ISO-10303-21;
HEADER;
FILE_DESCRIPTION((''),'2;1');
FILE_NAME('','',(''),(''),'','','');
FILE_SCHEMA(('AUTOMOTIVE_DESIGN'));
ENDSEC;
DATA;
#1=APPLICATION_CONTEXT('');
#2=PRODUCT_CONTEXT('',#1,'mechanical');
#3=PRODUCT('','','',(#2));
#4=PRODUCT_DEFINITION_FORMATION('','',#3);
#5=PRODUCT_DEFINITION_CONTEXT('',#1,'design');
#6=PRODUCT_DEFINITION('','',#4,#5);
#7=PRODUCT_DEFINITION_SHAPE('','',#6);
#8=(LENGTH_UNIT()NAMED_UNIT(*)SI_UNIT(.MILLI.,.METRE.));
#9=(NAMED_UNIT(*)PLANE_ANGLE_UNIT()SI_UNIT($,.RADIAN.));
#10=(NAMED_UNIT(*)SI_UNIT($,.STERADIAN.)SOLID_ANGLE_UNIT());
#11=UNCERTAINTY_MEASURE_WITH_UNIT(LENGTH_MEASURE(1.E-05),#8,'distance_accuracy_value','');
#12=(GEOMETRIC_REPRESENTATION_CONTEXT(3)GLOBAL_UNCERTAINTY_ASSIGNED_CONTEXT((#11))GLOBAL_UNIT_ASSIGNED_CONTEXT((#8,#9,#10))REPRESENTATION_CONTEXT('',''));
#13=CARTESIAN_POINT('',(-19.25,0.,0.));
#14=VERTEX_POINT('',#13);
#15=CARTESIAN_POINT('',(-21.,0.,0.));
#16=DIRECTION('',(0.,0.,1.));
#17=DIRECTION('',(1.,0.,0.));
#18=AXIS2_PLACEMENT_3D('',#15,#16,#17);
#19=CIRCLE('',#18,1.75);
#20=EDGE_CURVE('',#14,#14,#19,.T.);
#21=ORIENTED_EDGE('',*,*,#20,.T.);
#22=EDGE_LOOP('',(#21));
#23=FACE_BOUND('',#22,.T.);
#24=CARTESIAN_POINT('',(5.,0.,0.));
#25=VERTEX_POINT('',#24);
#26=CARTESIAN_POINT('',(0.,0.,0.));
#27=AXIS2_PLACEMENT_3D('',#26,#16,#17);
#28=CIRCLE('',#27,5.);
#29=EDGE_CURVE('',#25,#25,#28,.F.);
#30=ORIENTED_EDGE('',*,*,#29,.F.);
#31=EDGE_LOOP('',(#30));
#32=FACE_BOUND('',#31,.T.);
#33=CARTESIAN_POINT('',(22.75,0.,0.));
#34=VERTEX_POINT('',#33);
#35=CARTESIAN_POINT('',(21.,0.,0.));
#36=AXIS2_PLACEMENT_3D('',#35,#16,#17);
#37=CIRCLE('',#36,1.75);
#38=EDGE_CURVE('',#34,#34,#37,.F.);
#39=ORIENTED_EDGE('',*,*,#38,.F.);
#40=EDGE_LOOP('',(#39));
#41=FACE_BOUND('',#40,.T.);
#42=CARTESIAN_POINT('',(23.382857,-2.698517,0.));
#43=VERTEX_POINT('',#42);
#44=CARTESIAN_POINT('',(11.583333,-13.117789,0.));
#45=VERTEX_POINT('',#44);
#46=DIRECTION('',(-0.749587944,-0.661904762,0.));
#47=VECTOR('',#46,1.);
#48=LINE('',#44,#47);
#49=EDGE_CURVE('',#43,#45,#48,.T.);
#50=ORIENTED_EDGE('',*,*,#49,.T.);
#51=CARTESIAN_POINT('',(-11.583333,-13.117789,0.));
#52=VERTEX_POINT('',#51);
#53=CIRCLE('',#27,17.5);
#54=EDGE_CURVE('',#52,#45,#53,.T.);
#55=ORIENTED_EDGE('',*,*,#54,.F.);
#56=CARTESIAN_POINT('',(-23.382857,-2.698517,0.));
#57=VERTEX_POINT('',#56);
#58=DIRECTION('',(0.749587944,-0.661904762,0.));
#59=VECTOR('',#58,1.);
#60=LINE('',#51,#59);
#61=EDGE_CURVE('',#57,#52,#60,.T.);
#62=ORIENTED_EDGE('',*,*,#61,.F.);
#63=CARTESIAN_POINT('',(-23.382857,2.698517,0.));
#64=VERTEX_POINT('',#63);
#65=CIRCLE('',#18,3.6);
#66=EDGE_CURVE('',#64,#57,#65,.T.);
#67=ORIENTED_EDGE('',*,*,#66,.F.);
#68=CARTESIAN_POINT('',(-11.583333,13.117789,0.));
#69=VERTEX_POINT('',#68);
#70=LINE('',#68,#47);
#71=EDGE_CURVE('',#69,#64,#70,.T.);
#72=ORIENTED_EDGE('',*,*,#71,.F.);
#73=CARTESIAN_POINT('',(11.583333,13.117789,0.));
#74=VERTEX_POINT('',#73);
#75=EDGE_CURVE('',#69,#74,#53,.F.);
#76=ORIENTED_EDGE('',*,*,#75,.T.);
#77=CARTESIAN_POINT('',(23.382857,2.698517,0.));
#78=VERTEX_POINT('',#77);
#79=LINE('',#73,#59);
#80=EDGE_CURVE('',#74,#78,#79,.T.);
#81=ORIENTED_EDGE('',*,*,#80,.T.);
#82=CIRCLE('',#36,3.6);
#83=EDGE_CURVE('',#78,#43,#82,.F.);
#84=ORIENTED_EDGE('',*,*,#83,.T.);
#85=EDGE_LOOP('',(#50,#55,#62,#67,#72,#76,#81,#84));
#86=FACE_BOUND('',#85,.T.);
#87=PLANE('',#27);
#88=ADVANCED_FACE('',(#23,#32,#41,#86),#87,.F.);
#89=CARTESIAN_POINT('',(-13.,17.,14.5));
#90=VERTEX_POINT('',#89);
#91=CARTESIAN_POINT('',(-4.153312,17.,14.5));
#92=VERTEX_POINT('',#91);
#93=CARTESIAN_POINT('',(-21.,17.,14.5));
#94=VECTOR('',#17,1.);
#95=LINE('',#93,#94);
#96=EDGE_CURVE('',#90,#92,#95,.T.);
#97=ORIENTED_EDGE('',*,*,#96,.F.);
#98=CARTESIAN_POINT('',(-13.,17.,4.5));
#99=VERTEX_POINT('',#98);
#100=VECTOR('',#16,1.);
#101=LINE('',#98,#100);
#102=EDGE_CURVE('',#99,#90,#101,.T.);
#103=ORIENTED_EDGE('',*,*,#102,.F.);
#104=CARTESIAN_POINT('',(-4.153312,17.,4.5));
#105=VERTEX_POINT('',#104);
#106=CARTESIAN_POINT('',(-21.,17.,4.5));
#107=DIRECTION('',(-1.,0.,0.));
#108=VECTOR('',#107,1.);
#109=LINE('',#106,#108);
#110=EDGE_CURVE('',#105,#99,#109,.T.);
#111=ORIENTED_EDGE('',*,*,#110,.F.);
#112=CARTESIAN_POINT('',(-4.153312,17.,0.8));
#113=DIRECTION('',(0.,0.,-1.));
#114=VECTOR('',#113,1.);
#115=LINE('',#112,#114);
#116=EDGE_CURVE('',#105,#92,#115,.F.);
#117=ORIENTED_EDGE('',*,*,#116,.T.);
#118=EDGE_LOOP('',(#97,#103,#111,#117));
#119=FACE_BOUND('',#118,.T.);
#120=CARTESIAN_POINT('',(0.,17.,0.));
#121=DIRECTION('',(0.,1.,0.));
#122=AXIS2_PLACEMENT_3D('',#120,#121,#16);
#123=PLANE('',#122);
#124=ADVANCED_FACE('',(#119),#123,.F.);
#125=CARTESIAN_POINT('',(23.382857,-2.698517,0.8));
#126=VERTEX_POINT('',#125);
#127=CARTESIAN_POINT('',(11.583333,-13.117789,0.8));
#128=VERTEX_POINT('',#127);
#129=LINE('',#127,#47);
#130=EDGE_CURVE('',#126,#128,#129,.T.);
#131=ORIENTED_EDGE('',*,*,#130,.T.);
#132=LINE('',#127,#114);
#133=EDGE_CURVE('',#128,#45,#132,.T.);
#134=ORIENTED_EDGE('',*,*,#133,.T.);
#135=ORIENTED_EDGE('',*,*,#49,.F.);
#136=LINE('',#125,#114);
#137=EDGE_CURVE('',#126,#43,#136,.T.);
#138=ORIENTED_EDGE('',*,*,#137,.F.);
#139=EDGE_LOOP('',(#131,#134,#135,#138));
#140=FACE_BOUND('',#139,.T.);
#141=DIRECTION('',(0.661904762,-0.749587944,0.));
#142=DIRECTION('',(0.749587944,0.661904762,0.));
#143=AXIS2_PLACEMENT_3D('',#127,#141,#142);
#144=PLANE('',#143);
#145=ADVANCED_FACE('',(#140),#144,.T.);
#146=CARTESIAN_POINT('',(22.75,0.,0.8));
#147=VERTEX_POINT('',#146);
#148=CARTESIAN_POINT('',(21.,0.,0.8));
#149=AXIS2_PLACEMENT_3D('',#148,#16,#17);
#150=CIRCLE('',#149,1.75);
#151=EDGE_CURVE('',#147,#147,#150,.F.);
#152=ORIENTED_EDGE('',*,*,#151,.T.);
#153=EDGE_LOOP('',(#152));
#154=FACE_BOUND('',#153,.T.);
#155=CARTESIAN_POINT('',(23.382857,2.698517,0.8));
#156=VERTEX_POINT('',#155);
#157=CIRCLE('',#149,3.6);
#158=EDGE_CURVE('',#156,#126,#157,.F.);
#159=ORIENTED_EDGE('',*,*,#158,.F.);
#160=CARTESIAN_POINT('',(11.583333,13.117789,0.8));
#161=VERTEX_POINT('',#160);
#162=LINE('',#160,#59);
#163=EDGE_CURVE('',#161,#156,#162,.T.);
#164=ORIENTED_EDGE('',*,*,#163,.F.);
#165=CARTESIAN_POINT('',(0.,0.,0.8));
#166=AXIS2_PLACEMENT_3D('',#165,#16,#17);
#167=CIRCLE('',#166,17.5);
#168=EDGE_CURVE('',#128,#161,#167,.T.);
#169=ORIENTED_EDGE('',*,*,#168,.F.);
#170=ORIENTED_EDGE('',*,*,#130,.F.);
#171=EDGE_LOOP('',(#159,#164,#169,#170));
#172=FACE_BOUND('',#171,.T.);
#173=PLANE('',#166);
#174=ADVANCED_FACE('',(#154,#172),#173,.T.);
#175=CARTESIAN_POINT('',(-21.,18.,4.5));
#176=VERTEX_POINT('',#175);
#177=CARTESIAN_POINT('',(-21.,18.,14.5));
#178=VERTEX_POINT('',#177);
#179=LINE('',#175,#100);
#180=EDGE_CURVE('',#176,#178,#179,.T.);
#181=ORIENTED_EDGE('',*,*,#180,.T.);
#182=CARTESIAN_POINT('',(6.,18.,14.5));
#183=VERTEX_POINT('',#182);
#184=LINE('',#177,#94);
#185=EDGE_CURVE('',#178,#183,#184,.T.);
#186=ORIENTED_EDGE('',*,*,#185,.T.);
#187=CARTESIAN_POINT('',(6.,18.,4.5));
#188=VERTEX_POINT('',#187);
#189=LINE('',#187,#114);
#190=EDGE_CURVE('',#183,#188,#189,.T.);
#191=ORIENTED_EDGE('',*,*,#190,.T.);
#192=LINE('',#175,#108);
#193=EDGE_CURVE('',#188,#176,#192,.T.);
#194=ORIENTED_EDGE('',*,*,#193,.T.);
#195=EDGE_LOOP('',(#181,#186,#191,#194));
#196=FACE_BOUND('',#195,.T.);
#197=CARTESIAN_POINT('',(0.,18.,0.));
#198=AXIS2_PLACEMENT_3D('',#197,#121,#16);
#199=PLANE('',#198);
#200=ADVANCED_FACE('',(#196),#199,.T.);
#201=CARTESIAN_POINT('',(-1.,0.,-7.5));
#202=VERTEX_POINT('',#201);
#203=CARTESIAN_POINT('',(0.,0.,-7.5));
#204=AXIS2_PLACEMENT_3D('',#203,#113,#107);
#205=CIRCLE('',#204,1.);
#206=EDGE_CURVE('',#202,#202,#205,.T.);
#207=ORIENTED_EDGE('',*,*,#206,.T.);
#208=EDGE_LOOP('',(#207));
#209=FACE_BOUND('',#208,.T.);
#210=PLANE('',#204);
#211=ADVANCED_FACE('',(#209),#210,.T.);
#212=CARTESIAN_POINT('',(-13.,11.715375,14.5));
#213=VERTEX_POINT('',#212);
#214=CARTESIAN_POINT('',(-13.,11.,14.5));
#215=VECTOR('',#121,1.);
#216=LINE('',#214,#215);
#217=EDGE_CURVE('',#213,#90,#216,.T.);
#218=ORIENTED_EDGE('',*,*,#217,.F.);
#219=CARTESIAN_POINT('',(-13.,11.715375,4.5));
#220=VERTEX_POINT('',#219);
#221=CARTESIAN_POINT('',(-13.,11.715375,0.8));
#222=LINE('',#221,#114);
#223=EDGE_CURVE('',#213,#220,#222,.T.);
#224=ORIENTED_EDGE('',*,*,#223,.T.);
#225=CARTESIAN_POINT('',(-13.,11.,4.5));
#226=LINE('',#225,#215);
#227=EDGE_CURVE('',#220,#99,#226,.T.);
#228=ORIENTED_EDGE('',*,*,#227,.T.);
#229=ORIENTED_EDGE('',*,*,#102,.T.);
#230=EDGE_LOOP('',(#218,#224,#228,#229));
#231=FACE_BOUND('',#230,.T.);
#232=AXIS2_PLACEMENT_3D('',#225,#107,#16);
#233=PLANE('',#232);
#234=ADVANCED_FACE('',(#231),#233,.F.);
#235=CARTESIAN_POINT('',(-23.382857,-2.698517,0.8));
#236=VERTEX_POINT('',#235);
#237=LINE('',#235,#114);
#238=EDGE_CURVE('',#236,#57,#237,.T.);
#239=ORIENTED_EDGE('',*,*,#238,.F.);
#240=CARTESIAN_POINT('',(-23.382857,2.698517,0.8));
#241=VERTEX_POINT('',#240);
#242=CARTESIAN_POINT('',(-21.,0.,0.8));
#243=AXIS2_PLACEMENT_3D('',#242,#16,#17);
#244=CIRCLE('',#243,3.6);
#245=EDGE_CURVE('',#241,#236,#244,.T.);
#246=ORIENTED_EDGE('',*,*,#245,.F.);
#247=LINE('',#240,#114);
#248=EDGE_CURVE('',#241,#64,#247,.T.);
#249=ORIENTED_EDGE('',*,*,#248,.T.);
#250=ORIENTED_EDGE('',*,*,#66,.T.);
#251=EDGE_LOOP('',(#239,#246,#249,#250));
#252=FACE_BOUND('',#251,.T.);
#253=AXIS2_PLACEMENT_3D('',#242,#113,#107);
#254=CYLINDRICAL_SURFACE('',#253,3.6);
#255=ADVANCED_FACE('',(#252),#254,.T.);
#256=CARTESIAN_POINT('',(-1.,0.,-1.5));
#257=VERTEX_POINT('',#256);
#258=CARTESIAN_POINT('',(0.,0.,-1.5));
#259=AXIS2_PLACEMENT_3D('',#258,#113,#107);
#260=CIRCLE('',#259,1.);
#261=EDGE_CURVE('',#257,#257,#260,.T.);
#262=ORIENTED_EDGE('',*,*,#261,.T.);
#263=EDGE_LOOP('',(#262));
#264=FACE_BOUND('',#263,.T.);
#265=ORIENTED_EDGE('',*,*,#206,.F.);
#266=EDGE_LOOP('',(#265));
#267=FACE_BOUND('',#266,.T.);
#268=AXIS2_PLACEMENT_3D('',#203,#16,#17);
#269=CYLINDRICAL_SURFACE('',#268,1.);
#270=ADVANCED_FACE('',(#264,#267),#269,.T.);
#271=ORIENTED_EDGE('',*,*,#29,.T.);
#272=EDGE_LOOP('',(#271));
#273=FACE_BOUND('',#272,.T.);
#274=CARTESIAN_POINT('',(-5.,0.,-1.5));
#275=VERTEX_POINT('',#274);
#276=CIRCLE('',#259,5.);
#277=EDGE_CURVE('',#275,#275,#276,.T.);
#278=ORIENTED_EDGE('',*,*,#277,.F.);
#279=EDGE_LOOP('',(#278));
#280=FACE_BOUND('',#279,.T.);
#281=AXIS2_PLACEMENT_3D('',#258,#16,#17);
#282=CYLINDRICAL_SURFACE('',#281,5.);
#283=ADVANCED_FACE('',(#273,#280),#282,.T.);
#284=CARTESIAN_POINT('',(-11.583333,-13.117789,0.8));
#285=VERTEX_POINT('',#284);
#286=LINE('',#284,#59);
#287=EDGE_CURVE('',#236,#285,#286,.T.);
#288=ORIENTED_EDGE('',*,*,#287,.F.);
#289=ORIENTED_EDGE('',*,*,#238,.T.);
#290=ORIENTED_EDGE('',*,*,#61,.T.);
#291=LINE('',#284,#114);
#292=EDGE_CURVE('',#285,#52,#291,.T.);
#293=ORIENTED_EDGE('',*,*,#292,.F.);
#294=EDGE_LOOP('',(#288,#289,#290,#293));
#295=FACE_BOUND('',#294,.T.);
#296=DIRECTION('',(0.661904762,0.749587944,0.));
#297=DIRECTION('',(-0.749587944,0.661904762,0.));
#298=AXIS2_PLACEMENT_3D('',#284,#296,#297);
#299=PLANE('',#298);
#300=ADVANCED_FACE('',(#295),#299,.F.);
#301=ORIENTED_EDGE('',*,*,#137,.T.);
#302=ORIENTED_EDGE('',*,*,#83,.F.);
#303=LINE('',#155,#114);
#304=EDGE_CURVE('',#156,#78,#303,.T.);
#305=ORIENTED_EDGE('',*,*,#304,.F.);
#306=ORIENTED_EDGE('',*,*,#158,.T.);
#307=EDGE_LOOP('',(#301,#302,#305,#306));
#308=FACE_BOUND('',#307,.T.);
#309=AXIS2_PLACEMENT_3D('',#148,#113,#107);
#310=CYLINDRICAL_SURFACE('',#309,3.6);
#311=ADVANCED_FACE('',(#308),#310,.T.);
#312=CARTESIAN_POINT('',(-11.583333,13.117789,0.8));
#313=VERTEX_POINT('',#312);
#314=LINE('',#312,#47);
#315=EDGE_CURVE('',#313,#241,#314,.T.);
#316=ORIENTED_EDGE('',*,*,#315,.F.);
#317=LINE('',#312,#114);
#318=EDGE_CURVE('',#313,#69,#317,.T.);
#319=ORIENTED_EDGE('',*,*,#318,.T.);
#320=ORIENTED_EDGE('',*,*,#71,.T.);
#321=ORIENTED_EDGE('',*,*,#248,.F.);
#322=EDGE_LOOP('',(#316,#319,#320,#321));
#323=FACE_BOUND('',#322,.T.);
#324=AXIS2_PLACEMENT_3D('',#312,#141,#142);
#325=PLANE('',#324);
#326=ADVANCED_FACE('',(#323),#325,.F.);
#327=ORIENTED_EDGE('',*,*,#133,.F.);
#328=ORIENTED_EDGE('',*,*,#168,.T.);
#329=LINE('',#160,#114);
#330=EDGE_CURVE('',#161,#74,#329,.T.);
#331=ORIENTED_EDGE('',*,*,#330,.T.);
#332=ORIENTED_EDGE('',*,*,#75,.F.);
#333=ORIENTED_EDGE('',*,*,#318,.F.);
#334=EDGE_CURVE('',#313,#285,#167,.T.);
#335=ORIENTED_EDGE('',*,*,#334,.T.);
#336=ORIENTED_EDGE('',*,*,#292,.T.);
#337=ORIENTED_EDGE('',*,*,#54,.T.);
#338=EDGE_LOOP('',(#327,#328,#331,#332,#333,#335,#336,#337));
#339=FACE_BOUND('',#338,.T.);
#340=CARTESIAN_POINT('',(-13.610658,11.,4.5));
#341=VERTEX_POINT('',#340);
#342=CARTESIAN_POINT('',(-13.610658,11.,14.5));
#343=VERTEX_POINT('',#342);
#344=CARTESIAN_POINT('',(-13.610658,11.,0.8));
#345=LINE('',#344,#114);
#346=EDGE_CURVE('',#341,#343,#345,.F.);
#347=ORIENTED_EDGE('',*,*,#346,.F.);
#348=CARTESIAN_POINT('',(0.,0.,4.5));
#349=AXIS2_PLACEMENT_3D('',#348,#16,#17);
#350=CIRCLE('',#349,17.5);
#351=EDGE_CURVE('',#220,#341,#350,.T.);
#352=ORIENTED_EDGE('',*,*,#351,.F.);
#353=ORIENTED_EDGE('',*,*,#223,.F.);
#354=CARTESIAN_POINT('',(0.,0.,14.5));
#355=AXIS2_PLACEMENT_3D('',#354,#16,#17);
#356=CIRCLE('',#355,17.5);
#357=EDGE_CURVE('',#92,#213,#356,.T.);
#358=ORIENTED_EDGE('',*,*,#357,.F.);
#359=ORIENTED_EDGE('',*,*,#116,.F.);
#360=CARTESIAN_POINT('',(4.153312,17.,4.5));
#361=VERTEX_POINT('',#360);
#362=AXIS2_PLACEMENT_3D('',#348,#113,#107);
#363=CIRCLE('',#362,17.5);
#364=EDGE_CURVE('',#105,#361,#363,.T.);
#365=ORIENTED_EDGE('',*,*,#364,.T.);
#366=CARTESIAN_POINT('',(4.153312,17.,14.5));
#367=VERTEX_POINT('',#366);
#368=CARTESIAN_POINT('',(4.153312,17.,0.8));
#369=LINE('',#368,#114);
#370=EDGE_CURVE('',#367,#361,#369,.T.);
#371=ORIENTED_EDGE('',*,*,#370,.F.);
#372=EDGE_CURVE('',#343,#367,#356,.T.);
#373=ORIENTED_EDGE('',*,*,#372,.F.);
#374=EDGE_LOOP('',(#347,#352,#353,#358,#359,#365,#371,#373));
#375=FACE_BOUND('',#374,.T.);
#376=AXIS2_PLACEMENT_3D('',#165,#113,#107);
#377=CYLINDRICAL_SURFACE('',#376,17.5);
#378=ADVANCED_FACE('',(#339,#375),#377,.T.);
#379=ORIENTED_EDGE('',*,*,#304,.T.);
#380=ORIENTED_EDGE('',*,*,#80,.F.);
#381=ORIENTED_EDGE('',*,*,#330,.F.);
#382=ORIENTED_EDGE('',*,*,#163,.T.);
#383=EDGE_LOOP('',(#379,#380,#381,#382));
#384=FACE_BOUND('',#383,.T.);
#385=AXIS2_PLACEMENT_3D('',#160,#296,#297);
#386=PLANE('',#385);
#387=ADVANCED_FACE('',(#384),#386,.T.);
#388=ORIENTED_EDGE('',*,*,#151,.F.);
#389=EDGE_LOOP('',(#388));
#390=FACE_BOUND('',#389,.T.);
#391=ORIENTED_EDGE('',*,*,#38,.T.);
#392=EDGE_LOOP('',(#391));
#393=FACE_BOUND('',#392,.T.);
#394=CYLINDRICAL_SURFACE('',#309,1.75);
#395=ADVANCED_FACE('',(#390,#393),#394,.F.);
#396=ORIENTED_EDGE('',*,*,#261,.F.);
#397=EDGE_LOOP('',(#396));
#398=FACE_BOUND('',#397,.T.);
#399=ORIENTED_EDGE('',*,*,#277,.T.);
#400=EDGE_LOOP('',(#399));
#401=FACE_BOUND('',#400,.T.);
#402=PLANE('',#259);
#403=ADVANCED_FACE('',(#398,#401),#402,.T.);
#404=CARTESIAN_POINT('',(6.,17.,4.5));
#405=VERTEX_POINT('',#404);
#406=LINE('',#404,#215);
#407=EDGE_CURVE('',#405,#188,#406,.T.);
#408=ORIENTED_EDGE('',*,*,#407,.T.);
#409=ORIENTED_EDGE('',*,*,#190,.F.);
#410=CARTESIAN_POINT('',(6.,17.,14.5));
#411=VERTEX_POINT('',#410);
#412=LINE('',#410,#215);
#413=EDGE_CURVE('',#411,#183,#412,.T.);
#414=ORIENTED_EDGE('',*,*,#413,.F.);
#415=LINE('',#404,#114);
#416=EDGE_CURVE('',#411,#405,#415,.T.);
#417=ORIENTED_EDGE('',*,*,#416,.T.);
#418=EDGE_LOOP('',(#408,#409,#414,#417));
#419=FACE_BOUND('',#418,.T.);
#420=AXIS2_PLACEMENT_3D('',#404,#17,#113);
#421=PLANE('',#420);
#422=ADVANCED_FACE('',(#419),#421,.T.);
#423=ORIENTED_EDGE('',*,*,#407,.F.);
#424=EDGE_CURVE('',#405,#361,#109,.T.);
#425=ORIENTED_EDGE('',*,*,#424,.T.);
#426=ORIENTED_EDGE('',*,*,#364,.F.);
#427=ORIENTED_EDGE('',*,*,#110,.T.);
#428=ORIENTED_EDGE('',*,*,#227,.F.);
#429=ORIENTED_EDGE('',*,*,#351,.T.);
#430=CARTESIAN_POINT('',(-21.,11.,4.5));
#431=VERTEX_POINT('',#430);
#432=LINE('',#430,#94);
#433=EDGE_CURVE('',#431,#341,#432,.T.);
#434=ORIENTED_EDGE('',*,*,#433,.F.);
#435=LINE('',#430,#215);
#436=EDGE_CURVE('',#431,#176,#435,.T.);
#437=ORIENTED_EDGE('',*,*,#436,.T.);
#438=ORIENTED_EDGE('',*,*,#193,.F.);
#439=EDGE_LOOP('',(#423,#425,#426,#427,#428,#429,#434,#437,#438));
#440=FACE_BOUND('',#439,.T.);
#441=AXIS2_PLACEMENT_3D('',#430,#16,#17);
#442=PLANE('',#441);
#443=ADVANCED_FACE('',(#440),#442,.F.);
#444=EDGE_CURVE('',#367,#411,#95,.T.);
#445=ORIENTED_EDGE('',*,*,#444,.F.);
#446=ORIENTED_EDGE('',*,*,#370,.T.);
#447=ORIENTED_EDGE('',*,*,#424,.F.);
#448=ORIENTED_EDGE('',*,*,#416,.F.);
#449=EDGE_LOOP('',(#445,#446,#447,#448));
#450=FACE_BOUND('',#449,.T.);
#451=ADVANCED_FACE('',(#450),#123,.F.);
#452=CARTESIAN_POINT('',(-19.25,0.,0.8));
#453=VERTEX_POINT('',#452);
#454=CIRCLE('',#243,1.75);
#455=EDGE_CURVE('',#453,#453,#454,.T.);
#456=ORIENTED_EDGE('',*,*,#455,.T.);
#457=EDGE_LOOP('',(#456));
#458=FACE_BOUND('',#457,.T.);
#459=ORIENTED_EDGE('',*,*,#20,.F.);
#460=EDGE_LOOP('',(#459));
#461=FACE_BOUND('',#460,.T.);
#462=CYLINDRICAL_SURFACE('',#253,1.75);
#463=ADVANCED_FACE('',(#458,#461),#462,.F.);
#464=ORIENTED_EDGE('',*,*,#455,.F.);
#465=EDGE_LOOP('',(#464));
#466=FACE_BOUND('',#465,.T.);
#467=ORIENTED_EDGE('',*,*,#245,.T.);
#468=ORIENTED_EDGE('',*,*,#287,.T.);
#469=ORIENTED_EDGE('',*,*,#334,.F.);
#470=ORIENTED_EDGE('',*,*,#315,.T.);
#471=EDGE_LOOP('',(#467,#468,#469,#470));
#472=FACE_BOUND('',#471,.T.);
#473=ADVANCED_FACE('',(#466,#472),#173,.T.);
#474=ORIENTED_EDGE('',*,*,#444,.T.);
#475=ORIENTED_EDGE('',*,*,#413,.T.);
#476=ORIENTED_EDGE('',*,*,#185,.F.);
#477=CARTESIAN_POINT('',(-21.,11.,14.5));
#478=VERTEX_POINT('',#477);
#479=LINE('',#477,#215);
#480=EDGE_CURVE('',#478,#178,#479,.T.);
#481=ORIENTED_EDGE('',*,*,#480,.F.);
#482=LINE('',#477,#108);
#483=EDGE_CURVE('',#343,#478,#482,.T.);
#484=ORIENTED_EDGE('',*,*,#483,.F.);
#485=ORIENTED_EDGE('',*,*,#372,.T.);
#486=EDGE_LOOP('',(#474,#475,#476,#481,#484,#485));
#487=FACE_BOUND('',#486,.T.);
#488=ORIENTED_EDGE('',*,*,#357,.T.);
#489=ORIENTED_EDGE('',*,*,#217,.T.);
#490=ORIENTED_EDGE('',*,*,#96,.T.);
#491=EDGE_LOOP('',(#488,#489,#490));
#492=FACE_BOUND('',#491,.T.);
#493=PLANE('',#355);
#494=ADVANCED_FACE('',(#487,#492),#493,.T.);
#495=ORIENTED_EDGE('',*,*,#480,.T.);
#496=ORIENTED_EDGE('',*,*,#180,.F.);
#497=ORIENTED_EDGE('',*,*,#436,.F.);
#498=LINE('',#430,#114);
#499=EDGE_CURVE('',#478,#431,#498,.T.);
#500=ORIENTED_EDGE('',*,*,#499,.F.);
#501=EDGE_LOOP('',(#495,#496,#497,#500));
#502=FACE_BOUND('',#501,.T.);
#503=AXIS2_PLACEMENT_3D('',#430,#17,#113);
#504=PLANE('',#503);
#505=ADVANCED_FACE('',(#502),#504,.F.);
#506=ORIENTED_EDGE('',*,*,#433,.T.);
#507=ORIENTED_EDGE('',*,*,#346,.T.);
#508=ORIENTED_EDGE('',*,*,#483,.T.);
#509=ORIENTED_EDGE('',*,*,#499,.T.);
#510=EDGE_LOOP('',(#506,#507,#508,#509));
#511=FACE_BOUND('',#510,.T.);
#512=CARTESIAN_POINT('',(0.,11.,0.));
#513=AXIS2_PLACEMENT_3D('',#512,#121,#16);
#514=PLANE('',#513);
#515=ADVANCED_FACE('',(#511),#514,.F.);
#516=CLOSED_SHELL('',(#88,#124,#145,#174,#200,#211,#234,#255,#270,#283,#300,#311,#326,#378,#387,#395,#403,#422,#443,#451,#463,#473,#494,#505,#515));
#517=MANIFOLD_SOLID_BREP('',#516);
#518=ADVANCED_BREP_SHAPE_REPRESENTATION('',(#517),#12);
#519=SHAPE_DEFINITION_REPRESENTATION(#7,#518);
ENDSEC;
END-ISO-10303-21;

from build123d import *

# Parameters (mm, degrees)
SKETCH_1_R           = 1.75
EXTRUDE_1_DEPTH      = 0.8
SKETCH_2_R           = 17.5
EXTRUDE_2_DEPTH      = 13.7
SKETCH_3_R           = 5
EXTRUDE_3_DEPTH      = 1.5
SKETCH_4_R           = 1
EXTRUDE_4_DEPTH      = 6
EXTRUDE_5_DEPTH      = 0.5
EXTRUDE_5_DEPTH_BACK = 0.5
SKETCH_6_W           = 27
SKETCH_6_H           = 10
SKETCH_7_W           = 8
SKETCH_7_H           = 10
EXTRUDE_6_DEPTH      = 6


with BuildPart() as part:
    # Эскиз1 → Бобышка-Вытянуть1 (new body)
    with BuildSketch(Plane.XY):
        with BuildLine():
            ThreePointArc((11.583333333, 13.117789024), (0, 17.5), (-11.583333333, 13.117789024))
            Line((-11.583333333, 13.117789024), (-23.382857143, 2.698516599))
            ThreePointArc((-23.382857143, 2.698516599), (-24.6, 0), (-23.382857143, -2.698516599))
            Line((-23.382857143, -2.698516599), (-11.583333333, -13.117789024))
            ThreePointArc((-11.583333333, -13.117789024), (0, -17.5), (11.583333333, -13.117789024))
            Line((11.583333333, -13.117789024), (23.382857143, -2.698516599))
            ThreePointArc((23.382857143, -2.698516599), (24.6, 0), (23.382857143, 2.698516599))
            Line((23.382857143, 2.698516599), (11.583333333, 13.117789024))
        make_face()
        with Locations((-21, 0)):
            Circle(SKETCH_1_R, mode=Mode.SUBTRACT)
        with Locations((21, 0)):
            Circle(SKETCH_1_R, mode=Mode.SUBTRACT)
    extrude(amount=EXTRUDE_1_DEPTH)

    # Эскиз2 → Бобышка-Вытянуть2 (add)
    with BuildSketch(Plane.XY.offset(0.8)):
        Circle(SKETCH_2_R)
    extrude(amount=EXTRUDE_2_DEPTH)

    # Эскиз3 → Бобышка-Вытянуть3 (add)
    with BuildSketch(Plane(origin=(0, 0, 0), x_dir=(-1, 0, 0), z_dir=(0, 0, -1))):
        Circle(SKETCH_3_R)
    extrude(amount=EXTRUDE_3_DEPTH)

    # Эскиз4 → Бобышка-Вытянуть4 (add)
    with BuildSketch(Plane(origin=(0, 0, -1.5), x_dir=(-1, 0, 0), z_dir=(0, 0, -1))):
        Circle(SKETCH_4_R)
    extrude(amount=EXTRUDE_4_DEPTH)



with BuildPart() as body_2:
    # Эскиз6 → Бобышка-Вытянуть5 (new, two sides: drawn at the far end of the back side and taken through both)
    with BuildSketch(Plane(origin=(0, 17.5, 0), x_dir=(1, 0, 0), z_dir=(0, 1, 0)).offset(-EXTRUDE_5_DEPTH_BACK)):
        with Locations((-7.5, -9.5)):
            Rectangle(SKETCH_6_W, SKETCH_6_H)
    extrude(amount=EXTRUDE_5_DEPTH + EXTRUDE_5_DEPTH_BACK)


with BuildPart() as part_1:
    add(part.part)

    add(body_2.part)  # Бобышка-Вытянуть6 merges body 2
    # Эскиз7 → Бобышка-Вытянуть6 (add)
    with BuildSketch(Plane.XZ.offset(-17)):
        with Locations((-17, 9.5)):
            Rectangle(SKETCH_7_W, SKETCH_7_H)
    extrude(amount=EXTRUDE_6_DEPTH)


solid = part_1.part
